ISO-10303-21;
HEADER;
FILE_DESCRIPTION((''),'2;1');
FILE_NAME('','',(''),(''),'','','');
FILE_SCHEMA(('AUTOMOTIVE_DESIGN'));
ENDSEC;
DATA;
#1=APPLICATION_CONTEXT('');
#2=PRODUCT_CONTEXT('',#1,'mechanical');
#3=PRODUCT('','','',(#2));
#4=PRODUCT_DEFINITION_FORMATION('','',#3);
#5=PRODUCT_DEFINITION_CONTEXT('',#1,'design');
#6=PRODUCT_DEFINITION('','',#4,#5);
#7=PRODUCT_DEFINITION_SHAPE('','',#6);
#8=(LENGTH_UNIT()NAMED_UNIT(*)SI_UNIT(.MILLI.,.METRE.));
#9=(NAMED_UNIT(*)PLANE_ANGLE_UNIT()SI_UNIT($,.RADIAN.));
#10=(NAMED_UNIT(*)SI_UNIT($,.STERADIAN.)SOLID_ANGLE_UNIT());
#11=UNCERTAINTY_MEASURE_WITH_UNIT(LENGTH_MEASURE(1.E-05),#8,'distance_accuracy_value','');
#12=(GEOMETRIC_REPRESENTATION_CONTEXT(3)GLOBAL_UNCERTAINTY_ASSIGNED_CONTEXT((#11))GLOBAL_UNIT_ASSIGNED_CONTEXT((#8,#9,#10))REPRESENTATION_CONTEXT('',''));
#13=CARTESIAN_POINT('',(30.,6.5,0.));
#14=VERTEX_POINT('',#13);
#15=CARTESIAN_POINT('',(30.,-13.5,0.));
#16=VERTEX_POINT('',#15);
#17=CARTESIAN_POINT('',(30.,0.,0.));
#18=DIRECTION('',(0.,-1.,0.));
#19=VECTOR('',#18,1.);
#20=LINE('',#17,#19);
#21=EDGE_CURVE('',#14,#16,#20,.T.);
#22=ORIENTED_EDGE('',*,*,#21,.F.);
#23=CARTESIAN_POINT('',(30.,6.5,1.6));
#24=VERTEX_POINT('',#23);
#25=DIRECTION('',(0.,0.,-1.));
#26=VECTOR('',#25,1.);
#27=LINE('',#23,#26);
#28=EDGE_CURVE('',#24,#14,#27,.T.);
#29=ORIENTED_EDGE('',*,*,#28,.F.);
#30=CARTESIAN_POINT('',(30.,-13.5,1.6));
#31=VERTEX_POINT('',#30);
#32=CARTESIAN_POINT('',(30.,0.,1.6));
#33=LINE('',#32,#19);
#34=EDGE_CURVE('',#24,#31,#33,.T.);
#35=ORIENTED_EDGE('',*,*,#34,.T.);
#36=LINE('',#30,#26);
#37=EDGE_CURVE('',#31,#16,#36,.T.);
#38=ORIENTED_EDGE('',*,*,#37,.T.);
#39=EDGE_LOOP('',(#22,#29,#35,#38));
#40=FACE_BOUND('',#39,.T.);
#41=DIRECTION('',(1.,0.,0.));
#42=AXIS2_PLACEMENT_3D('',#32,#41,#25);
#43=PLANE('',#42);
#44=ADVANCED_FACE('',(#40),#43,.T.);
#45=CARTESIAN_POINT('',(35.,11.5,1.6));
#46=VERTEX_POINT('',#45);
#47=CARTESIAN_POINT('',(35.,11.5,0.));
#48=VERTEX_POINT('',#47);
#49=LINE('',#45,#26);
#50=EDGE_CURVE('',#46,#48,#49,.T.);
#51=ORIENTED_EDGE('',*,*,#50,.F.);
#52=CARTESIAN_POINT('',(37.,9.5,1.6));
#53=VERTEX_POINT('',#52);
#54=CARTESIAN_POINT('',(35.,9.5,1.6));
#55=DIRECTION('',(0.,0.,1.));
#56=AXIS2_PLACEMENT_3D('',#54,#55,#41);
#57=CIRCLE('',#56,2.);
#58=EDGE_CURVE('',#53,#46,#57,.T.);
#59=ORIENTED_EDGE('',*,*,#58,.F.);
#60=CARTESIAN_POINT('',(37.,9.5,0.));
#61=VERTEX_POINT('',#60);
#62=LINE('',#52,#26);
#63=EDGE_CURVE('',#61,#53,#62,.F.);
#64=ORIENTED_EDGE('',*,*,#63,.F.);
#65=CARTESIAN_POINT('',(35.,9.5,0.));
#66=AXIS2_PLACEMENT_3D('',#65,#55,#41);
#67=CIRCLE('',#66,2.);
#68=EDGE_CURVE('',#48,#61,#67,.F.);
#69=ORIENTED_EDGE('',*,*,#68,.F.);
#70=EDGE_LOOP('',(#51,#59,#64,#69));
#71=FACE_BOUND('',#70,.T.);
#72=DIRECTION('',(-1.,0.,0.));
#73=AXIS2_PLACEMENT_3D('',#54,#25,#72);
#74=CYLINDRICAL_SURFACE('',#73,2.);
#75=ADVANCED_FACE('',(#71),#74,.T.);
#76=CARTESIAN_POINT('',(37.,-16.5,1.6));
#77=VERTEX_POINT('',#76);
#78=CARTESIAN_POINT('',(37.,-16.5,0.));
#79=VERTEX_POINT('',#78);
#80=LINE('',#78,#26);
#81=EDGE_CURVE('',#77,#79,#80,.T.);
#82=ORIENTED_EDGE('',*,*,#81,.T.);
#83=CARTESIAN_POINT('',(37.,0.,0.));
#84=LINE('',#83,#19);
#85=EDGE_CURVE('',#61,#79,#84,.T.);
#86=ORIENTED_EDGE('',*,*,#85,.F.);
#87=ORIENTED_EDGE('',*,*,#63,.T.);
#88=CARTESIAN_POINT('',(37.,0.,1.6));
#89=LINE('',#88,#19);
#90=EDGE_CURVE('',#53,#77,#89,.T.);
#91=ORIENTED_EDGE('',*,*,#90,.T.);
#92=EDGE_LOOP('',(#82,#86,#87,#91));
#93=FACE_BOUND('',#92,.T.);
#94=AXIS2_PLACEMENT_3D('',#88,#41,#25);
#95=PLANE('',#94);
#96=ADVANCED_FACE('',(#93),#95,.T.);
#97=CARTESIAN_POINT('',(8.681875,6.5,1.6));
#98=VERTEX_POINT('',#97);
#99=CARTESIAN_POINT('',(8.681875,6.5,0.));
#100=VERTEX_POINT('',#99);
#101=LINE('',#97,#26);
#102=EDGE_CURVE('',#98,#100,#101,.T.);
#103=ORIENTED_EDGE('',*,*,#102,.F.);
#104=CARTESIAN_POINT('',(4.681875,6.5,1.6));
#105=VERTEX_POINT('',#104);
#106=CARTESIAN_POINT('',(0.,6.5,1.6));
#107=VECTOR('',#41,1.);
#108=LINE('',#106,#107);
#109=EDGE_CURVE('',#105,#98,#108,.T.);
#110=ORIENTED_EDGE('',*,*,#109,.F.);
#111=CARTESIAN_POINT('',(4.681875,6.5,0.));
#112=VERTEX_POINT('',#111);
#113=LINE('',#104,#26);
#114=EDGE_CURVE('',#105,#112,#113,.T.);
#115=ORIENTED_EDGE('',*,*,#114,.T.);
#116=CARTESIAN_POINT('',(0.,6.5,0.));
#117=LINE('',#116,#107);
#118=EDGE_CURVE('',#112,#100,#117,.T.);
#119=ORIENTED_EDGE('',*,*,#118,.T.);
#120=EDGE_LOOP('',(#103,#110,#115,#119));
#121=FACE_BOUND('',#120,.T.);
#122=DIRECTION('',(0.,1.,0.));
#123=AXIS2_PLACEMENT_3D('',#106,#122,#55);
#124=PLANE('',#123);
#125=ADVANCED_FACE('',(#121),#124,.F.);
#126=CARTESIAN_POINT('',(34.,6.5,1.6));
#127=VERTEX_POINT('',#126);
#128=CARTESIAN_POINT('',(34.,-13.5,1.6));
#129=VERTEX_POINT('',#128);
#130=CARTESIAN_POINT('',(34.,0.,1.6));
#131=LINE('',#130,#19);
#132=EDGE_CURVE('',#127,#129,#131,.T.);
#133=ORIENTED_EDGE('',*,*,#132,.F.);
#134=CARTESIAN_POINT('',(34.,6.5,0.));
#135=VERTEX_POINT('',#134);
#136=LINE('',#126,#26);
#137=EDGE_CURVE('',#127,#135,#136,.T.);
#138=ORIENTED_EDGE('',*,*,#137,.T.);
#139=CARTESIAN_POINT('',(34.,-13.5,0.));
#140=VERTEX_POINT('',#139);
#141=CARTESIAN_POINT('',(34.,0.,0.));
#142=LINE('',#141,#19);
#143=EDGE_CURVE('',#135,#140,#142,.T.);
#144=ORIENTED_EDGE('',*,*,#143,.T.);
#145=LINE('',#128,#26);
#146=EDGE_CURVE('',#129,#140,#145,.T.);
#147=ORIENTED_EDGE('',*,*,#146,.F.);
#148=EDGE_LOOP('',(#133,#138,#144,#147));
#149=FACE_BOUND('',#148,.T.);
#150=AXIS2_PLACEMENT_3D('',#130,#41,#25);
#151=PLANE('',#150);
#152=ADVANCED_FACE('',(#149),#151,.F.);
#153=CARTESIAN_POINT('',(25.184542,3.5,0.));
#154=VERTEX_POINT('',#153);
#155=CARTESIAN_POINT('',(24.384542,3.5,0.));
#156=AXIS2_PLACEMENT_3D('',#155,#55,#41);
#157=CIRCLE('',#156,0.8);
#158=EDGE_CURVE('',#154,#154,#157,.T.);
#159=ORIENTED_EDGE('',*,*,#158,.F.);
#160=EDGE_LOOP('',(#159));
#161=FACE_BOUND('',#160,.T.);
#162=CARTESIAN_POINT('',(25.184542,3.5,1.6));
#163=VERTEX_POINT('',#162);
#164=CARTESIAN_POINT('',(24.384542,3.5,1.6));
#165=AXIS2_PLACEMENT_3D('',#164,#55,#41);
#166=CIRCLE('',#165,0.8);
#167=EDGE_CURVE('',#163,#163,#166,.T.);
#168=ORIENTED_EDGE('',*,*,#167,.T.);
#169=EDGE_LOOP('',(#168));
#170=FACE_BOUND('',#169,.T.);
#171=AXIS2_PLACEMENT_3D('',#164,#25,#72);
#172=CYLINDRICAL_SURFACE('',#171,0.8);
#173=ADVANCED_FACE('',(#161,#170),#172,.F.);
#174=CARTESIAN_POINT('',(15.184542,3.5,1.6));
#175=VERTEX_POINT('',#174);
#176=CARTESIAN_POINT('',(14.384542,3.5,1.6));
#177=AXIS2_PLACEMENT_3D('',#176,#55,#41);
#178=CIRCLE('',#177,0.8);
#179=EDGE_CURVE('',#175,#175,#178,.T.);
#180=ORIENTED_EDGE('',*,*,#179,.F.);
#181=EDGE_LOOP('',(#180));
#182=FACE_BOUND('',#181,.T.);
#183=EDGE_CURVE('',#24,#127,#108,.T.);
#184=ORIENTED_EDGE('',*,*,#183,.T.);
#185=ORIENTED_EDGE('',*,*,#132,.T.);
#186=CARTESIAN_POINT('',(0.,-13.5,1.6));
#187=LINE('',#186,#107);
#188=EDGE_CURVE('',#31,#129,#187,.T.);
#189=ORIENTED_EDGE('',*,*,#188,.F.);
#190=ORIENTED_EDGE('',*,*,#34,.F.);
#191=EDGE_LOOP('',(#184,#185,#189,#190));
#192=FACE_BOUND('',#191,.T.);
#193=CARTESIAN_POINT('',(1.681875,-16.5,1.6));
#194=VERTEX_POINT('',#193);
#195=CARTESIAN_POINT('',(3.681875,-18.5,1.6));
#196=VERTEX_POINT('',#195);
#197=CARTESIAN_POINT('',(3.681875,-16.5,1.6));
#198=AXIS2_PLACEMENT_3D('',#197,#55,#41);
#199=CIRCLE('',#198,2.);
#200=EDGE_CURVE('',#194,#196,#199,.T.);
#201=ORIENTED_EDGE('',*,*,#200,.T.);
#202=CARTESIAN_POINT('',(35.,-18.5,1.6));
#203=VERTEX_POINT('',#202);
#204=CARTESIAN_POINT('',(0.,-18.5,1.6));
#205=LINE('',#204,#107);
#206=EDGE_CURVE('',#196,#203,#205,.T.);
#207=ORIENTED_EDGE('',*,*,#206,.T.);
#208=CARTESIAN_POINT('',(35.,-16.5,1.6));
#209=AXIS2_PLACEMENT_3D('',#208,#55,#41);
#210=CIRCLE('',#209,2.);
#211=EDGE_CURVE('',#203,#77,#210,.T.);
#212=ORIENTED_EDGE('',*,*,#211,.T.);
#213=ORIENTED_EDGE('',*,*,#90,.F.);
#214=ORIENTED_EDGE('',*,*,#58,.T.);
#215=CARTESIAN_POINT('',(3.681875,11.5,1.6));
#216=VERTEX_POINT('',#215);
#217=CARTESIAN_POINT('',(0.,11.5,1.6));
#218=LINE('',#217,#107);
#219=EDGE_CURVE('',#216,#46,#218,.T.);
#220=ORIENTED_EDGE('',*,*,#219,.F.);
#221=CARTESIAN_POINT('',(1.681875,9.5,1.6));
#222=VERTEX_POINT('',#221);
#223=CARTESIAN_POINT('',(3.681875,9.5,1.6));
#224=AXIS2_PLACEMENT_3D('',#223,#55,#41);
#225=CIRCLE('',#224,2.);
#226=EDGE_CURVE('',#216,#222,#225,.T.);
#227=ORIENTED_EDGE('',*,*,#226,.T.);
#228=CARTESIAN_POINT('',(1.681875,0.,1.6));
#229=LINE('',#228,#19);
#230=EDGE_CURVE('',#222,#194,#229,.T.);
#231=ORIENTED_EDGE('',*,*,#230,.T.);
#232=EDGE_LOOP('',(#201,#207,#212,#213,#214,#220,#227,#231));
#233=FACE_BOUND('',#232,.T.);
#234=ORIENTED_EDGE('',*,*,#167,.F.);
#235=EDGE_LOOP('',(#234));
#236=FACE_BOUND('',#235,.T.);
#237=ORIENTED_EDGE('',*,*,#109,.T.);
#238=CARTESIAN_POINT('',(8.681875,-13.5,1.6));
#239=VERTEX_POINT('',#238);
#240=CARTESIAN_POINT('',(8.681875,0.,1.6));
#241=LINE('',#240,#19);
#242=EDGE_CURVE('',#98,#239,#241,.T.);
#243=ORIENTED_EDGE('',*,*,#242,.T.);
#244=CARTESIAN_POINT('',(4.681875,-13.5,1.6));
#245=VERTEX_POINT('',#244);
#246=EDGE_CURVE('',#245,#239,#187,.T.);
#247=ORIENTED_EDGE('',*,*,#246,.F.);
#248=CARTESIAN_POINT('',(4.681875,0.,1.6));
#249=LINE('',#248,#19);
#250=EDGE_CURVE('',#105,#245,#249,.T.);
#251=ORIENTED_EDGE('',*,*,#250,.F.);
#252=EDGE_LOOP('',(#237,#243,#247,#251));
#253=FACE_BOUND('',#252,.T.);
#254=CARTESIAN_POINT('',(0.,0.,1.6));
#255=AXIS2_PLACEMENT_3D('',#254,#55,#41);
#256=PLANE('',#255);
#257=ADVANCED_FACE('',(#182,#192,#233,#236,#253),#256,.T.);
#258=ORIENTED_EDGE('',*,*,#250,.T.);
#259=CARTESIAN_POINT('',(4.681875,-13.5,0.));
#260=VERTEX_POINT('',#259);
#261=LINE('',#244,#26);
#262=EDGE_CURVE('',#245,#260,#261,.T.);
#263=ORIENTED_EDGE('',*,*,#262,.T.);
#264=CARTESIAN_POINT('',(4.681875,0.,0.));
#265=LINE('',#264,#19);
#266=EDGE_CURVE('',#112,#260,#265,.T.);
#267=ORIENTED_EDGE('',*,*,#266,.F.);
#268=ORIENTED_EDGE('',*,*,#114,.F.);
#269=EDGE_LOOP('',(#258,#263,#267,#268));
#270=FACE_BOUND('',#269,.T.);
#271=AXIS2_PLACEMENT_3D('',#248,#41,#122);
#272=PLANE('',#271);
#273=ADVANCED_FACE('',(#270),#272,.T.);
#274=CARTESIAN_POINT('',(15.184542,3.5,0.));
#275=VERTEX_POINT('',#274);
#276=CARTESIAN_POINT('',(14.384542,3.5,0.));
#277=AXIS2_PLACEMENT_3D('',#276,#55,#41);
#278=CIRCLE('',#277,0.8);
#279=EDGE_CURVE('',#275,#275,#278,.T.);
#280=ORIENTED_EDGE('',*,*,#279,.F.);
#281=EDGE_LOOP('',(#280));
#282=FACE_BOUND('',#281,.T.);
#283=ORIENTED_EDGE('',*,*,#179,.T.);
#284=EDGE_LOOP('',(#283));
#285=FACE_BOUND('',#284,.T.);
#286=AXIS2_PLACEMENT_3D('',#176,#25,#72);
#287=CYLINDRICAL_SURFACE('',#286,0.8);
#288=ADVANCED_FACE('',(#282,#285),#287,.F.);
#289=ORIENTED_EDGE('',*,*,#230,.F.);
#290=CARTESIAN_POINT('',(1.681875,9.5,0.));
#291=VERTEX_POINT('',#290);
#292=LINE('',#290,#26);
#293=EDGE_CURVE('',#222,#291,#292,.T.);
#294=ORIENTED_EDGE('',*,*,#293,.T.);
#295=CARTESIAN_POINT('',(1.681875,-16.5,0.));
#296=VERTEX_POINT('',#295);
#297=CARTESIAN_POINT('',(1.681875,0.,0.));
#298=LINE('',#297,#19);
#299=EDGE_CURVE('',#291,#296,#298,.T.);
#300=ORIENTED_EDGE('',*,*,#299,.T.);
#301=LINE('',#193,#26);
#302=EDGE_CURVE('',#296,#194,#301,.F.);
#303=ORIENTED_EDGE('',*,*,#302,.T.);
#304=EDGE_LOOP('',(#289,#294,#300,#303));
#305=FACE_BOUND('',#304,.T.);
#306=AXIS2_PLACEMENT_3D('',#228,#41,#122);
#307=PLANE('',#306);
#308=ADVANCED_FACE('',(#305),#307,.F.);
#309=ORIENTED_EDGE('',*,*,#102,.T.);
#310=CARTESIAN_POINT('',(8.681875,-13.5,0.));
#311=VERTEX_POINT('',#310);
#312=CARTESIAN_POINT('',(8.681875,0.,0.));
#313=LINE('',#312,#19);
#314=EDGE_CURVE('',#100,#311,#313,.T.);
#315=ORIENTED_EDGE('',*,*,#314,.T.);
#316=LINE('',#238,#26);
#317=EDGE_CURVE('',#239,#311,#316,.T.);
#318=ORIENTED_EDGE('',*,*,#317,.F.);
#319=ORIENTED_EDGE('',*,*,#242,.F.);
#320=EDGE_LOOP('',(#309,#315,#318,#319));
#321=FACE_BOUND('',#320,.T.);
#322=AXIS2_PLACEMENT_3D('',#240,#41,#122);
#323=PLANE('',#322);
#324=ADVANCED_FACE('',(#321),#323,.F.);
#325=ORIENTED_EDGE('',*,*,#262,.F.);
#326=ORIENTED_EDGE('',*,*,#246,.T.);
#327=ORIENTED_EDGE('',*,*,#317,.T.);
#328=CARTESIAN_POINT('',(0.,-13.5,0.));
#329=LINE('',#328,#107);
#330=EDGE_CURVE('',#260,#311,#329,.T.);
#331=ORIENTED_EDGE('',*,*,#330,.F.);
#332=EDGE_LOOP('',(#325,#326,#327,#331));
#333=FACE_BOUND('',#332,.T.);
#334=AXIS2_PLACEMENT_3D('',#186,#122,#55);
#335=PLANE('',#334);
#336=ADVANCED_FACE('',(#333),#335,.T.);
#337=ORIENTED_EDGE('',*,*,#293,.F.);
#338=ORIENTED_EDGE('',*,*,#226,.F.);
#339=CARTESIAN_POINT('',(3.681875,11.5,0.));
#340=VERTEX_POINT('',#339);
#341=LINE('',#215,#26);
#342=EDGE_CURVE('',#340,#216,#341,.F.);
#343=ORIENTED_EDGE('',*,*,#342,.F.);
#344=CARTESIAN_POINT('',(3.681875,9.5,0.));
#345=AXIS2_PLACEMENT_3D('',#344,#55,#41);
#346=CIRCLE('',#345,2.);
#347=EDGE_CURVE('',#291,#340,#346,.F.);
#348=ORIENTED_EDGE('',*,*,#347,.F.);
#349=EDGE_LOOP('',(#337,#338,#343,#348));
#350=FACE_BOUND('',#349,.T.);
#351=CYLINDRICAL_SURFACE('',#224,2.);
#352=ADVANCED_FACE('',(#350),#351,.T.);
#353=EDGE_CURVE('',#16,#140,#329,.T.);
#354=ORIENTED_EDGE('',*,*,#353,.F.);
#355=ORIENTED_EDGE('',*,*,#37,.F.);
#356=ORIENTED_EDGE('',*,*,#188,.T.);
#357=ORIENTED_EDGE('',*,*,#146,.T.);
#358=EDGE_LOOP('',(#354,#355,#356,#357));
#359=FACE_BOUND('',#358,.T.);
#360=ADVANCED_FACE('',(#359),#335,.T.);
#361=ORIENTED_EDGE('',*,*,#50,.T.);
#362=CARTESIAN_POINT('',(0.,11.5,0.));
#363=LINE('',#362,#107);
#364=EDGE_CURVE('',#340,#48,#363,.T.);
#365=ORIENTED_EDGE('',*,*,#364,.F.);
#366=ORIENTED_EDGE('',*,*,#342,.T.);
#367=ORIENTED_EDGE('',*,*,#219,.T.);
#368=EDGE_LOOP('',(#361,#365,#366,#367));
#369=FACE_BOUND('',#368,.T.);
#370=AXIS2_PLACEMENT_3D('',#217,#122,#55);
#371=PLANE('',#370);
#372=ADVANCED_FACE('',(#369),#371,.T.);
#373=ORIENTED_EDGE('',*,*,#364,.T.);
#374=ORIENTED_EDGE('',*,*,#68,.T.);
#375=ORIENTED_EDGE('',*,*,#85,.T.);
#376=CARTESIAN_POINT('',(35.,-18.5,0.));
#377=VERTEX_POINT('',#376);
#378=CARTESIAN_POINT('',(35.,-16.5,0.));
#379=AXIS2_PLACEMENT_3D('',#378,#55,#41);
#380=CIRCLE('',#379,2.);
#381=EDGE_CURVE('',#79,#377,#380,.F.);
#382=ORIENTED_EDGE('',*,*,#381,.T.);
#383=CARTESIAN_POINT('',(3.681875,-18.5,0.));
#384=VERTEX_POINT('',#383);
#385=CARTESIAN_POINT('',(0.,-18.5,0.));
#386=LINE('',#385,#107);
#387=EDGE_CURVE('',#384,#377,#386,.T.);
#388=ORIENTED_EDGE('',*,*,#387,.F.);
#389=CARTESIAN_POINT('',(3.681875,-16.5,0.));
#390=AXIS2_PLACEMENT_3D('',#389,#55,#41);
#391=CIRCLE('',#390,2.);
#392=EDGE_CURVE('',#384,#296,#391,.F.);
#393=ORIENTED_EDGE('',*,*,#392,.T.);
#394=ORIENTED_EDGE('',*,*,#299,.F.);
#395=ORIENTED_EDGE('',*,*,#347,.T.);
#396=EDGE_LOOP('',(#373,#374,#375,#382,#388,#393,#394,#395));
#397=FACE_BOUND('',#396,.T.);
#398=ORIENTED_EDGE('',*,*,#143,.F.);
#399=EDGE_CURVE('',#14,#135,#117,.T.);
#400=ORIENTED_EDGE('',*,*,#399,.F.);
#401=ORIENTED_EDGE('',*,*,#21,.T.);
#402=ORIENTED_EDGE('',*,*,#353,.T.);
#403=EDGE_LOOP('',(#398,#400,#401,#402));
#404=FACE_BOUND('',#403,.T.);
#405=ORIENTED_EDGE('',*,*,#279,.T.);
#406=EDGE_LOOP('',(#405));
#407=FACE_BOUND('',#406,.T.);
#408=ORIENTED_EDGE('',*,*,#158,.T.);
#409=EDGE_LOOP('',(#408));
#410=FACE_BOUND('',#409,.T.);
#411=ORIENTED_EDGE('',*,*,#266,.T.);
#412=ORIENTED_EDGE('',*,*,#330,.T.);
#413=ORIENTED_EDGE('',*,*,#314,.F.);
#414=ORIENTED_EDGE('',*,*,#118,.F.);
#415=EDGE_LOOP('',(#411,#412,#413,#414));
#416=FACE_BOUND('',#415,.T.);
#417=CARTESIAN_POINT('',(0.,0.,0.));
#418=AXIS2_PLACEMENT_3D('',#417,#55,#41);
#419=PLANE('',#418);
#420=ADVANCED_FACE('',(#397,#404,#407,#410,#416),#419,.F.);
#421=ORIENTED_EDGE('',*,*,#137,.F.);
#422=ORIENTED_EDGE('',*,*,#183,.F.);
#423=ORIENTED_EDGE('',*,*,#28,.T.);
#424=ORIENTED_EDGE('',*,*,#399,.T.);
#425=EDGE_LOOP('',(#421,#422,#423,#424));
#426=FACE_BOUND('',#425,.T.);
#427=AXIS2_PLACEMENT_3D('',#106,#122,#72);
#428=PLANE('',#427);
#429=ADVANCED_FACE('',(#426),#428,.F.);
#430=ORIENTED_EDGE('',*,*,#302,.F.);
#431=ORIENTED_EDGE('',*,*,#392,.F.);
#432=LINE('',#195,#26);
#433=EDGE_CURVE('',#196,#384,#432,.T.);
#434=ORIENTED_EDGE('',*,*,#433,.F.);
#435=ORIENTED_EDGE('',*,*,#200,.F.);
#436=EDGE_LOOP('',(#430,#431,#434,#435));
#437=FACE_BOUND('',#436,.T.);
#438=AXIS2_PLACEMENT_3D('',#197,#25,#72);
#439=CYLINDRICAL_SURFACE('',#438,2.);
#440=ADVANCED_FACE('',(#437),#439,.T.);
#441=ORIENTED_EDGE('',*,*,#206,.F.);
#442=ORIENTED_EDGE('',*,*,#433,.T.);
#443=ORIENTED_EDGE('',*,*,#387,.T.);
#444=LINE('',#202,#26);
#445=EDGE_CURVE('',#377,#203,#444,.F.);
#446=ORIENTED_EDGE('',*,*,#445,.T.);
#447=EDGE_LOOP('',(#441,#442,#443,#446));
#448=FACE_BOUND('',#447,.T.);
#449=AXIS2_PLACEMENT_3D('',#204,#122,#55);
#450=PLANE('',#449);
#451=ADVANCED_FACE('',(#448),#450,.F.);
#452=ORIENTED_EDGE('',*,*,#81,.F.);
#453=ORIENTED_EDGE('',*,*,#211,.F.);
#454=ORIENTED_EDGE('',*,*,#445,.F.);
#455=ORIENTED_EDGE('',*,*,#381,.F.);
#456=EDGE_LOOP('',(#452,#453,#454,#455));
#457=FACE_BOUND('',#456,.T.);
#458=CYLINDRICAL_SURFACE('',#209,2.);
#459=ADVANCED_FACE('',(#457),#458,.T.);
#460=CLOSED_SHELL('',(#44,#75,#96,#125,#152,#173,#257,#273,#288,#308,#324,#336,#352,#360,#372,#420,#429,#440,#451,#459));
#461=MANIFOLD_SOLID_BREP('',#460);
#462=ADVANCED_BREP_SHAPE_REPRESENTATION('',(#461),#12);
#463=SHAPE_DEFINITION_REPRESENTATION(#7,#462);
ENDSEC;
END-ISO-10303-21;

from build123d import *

# Parameters (mm, degrees)
SKETCH_1_W      = 35.318125
SKETCH_1_H      = 30
SKETCH_1_R      = 0.8
SKETCH_1_W_2    = 4
SKETCH_1_H_2    = 20
EXTRUDE_1_DEPTH = 1.6
FILLET_1_R      = 2


with BuildPart() as part:
    # 草图1 → 凸台-拉伸1 (new body)
    with BuildSketch(Plane.XY):
        with Locations((19.3409375, -3.5)):
            Rectangle(SKETCH_1_W, SKETCH_1_H)
        with Locations((14.38454248, 3.5)):
            Circle(SKETCH_1_R, mode=Mode.SUBTRACT)
        with Locations((24.38454248, 3.5)):
            Circle(SKETCH_1_R, mode=Mode.SUBTRACT)
        with Locations((6.681875, -3.5)):
            Rectangle(SKETCH_1_W_2, SKETCH_1_H_2, mode=Mode.SUBTRACT)
        with Locations((32, -3.5)):
            Rectangle(SKETCH_1_W_2, SKETCH_1_H_2, mode=Mode.SUBTRACT)
    extrude(amount=EXTRUDE_1_DEPTH)

    # 圆角1
    fillet_1_edges = [part.edges().sort_by_distance(p)[0] for p in [
        (1.681875, 11.5, 0.8),
        (37, 11.5, 0.8),
        (37, -18.5, 0.8),
        (1.681875, -18.5, 0.8),
    ]]
    fillet(fillet_1_edges, radius=FILLET_1_R)


solid = part.part
